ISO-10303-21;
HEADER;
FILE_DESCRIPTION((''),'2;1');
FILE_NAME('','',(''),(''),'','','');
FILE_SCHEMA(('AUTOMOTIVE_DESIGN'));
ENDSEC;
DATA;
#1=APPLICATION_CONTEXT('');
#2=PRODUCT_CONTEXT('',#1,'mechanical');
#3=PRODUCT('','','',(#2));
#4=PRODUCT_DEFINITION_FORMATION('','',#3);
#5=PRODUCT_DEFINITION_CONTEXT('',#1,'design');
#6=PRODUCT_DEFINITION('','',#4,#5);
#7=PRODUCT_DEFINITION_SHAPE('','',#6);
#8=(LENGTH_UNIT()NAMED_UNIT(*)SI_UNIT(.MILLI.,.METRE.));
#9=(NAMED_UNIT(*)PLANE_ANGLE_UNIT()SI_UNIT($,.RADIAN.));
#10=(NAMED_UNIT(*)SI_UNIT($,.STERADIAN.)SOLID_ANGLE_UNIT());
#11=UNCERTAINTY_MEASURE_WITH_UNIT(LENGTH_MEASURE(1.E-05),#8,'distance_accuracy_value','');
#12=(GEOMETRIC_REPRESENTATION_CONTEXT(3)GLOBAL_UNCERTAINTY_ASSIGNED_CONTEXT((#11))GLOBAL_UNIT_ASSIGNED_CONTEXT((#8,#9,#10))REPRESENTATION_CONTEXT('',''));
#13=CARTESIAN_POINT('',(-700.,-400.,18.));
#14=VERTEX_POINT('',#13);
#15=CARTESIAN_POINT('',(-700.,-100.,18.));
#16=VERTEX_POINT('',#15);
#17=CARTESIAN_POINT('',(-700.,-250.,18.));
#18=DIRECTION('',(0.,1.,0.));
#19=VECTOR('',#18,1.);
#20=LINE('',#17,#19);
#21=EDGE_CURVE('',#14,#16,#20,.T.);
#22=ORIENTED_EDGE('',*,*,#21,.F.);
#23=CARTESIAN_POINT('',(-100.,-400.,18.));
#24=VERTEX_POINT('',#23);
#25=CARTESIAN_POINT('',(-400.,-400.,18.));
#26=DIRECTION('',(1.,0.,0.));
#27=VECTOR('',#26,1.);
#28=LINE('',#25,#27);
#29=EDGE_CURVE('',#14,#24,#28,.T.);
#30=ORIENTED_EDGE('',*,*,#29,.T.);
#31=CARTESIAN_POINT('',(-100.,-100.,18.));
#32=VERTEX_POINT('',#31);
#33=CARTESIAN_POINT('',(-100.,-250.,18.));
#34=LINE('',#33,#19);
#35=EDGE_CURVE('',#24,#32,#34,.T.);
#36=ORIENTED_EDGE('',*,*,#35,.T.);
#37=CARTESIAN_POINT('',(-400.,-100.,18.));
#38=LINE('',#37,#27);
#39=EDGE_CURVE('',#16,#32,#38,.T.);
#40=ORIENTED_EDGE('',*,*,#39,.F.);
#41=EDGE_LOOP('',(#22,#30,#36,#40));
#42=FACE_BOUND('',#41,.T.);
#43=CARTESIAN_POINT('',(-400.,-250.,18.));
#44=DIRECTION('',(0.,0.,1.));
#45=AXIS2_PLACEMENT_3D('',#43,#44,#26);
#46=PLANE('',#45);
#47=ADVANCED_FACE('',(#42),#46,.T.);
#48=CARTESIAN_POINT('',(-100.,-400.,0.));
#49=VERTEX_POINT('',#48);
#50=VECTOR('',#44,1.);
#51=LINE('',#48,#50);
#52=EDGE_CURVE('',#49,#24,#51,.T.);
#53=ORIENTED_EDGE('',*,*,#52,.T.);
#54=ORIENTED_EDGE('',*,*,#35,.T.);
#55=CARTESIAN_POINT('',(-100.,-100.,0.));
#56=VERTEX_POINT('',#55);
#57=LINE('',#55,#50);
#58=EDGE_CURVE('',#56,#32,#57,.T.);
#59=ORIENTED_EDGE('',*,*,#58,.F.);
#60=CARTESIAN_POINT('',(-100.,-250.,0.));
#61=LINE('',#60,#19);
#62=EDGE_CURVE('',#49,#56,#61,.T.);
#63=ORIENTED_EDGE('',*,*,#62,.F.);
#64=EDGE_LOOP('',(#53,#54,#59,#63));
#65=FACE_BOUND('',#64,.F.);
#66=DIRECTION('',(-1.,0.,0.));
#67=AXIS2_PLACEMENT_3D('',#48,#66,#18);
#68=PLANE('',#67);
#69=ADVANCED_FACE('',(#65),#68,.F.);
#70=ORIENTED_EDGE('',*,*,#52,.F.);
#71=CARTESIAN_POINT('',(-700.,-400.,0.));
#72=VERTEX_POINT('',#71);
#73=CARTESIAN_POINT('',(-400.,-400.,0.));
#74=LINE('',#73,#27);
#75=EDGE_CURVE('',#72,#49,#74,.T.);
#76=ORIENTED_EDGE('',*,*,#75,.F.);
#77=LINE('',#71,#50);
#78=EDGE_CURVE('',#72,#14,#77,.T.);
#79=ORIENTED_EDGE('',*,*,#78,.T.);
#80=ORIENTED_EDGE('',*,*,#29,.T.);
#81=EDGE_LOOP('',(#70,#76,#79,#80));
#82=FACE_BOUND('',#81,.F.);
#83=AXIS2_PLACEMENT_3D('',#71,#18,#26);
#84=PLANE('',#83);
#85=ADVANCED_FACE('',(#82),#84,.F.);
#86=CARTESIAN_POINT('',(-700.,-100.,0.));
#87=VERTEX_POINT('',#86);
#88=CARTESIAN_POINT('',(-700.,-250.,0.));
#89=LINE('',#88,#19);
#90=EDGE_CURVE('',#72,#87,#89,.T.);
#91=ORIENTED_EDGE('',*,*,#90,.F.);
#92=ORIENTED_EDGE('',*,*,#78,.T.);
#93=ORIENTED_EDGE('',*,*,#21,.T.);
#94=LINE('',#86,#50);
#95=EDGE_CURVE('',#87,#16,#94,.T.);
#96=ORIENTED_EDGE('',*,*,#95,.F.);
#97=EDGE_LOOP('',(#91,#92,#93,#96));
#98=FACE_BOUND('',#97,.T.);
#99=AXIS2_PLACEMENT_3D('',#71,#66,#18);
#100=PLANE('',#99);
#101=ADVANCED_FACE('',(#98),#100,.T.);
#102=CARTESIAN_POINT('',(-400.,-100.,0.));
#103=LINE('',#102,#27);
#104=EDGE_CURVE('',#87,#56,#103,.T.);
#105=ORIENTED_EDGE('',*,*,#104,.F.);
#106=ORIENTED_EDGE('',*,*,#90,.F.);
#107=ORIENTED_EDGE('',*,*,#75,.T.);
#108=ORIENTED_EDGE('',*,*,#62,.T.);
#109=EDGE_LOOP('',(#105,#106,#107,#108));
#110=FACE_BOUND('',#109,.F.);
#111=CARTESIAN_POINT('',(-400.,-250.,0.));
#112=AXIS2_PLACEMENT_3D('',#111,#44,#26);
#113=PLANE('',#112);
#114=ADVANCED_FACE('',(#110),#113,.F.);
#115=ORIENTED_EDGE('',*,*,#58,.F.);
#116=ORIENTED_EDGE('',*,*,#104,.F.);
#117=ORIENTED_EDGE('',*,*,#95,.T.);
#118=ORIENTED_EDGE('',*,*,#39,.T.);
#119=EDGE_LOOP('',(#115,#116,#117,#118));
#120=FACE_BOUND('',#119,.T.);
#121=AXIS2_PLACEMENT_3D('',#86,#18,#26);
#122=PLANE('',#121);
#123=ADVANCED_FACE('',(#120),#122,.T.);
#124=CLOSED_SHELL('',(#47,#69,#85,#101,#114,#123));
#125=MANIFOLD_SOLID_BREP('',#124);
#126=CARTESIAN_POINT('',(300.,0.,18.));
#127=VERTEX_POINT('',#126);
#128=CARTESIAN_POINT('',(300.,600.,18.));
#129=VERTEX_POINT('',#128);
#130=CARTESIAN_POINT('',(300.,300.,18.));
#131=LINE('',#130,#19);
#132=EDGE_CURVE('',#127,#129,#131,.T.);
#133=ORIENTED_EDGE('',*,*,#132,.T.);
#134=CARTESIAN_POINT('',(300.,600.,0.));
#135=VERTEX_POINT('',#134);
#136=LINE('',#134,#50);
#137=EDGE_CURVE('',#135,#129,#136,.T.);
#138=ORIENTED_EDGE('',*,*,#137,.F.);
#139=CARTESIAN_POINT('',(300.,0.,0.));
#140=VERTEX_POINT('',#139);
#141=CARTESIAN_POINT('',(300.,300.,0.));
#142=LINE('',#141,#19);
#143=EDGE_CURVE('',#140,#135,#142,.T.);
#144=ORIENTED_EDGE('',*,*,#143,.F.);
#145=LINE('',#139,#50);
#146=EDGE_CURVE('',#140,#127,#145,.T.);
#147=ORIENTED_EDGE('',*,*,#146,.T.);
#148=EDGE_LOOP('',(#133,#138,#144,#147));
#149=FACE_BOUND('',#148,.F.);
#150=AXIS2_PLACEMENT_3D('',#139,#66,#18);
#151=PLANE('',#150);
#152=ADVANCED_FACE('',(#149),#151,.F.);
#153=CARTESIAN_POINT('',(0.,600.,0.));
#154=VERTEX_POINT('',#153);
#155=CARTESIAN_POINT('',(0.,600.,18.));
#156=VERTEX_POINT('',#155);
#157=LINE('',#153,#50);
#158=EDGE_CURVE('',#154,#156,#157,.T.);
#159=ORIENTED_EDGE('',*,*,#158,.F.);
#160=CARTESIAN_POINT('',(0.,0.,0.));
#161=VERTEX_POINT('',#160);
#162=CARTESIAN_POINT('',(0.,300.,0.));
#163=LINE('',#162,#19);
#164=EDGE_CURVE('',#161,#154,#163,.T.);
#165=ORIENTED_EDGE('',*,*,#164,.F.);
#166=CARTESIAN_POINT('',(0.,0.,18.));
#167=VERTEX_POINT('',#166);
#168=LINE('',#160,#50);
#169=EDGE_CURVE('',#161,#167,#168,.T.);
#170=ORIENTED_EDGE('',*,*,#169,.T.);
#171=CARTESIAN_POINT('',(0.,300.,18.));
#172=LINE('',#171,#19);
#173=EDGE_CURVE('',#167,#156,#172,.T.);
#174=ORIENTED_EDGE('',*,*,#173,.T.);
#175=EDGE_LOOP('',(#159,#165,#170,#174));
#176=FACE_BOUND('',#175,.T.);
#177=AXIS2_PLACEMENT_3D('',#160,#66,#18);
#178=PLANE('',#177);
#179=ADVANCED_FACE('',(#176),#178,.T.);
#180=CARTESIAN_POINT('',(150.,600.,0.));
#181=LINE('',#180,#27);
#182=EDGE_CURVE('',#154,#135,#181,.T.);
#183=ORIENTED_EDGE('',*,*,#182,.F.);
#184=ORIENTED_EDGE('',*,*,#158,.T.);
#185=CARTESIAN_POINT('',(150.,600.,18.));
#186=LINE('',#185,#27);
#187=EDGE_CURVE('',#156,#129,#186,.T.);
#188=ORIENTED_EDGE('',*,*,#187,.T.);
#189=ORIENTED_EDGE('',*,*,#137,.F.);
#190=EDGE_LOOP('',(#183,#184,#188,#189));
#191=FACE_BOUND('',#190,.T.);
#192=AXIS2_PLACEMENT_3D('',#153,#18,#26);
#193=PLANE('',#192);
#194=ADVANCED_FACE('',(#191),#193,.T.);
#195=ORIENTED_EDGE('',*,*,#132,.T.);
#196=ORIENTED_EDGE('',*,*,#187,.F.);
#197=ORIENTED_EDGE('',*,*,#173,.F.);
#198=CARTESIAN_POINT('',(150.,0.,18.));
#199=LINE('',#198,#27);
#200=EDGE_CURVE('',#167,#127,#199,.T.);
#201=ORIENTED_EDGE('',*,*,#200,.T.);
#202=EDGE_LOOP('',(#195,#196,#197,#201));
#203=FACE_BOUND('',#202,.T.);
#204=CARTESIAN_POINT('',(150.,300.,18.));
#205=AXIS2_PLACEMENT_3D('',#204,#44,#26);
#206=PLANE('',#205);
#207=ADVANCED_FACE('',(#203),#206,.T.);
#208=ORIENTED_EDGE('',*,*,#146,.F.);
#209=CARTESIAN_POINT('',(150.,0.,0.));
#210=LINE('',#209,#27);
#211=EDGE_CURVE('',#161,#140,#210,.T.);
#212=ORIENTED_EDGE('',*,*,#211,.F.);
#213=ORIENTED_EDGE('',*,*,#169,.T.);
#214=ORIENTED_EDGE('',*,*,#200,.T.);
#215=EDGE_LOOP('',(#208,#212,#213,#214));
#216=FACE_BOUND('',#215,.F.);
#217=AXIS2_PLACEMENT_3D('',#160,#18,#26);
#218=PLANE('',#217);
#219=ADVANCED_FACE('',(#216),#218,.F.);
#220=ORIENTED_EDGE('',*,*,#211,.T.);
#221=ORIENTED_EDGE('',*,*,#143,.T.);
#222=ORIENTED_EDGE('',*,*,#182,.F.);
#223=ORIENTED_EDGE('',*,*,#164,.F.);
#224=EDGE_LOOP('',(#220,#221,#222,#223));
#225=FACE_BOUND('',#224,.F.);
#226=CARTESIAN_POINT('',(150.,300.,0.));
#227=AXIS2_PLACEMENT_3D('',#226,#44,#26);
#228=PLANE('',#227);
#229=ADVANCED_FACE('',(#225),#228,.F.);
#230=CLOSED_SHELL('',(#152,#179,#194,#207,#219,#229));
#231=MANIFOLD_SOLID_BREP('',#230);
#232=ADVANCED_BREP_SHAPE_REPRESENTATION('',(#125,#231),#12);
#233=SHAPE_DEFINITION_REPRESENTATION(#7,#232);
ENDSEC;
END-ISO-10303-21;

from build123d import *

# Parameters (mm, degrees)
BOX_W     = 300
BOX_H     = 600
BOX_DEPTH = 18
SKETCH_W  = 600
SKETCH_H  = 300
PAD_DEPTH = 18


with BuildPart() as cube:
    # Box → Box (new body)
    with BuildSketch(Plane.XY):
        with Locations((150, 300)):
            Rectangle(BOX_W, BOX_H)
    extrude(amount=BOX_DEPTH)


with BuildPart() as body:
    # Sketch → Pad (new body)
    with BuildSketch(Plane(origin=(-100, -100, 0), x_dir=(1, 0, 0), z_dir=(0, 0, 1))):
        with Locations((-300, -150)):
            Rectangle(SKETCH_W, SKETCH_H)
    extrude(amount=PAD_DEPTH)


solid = Compound([cube.part, body.part])
